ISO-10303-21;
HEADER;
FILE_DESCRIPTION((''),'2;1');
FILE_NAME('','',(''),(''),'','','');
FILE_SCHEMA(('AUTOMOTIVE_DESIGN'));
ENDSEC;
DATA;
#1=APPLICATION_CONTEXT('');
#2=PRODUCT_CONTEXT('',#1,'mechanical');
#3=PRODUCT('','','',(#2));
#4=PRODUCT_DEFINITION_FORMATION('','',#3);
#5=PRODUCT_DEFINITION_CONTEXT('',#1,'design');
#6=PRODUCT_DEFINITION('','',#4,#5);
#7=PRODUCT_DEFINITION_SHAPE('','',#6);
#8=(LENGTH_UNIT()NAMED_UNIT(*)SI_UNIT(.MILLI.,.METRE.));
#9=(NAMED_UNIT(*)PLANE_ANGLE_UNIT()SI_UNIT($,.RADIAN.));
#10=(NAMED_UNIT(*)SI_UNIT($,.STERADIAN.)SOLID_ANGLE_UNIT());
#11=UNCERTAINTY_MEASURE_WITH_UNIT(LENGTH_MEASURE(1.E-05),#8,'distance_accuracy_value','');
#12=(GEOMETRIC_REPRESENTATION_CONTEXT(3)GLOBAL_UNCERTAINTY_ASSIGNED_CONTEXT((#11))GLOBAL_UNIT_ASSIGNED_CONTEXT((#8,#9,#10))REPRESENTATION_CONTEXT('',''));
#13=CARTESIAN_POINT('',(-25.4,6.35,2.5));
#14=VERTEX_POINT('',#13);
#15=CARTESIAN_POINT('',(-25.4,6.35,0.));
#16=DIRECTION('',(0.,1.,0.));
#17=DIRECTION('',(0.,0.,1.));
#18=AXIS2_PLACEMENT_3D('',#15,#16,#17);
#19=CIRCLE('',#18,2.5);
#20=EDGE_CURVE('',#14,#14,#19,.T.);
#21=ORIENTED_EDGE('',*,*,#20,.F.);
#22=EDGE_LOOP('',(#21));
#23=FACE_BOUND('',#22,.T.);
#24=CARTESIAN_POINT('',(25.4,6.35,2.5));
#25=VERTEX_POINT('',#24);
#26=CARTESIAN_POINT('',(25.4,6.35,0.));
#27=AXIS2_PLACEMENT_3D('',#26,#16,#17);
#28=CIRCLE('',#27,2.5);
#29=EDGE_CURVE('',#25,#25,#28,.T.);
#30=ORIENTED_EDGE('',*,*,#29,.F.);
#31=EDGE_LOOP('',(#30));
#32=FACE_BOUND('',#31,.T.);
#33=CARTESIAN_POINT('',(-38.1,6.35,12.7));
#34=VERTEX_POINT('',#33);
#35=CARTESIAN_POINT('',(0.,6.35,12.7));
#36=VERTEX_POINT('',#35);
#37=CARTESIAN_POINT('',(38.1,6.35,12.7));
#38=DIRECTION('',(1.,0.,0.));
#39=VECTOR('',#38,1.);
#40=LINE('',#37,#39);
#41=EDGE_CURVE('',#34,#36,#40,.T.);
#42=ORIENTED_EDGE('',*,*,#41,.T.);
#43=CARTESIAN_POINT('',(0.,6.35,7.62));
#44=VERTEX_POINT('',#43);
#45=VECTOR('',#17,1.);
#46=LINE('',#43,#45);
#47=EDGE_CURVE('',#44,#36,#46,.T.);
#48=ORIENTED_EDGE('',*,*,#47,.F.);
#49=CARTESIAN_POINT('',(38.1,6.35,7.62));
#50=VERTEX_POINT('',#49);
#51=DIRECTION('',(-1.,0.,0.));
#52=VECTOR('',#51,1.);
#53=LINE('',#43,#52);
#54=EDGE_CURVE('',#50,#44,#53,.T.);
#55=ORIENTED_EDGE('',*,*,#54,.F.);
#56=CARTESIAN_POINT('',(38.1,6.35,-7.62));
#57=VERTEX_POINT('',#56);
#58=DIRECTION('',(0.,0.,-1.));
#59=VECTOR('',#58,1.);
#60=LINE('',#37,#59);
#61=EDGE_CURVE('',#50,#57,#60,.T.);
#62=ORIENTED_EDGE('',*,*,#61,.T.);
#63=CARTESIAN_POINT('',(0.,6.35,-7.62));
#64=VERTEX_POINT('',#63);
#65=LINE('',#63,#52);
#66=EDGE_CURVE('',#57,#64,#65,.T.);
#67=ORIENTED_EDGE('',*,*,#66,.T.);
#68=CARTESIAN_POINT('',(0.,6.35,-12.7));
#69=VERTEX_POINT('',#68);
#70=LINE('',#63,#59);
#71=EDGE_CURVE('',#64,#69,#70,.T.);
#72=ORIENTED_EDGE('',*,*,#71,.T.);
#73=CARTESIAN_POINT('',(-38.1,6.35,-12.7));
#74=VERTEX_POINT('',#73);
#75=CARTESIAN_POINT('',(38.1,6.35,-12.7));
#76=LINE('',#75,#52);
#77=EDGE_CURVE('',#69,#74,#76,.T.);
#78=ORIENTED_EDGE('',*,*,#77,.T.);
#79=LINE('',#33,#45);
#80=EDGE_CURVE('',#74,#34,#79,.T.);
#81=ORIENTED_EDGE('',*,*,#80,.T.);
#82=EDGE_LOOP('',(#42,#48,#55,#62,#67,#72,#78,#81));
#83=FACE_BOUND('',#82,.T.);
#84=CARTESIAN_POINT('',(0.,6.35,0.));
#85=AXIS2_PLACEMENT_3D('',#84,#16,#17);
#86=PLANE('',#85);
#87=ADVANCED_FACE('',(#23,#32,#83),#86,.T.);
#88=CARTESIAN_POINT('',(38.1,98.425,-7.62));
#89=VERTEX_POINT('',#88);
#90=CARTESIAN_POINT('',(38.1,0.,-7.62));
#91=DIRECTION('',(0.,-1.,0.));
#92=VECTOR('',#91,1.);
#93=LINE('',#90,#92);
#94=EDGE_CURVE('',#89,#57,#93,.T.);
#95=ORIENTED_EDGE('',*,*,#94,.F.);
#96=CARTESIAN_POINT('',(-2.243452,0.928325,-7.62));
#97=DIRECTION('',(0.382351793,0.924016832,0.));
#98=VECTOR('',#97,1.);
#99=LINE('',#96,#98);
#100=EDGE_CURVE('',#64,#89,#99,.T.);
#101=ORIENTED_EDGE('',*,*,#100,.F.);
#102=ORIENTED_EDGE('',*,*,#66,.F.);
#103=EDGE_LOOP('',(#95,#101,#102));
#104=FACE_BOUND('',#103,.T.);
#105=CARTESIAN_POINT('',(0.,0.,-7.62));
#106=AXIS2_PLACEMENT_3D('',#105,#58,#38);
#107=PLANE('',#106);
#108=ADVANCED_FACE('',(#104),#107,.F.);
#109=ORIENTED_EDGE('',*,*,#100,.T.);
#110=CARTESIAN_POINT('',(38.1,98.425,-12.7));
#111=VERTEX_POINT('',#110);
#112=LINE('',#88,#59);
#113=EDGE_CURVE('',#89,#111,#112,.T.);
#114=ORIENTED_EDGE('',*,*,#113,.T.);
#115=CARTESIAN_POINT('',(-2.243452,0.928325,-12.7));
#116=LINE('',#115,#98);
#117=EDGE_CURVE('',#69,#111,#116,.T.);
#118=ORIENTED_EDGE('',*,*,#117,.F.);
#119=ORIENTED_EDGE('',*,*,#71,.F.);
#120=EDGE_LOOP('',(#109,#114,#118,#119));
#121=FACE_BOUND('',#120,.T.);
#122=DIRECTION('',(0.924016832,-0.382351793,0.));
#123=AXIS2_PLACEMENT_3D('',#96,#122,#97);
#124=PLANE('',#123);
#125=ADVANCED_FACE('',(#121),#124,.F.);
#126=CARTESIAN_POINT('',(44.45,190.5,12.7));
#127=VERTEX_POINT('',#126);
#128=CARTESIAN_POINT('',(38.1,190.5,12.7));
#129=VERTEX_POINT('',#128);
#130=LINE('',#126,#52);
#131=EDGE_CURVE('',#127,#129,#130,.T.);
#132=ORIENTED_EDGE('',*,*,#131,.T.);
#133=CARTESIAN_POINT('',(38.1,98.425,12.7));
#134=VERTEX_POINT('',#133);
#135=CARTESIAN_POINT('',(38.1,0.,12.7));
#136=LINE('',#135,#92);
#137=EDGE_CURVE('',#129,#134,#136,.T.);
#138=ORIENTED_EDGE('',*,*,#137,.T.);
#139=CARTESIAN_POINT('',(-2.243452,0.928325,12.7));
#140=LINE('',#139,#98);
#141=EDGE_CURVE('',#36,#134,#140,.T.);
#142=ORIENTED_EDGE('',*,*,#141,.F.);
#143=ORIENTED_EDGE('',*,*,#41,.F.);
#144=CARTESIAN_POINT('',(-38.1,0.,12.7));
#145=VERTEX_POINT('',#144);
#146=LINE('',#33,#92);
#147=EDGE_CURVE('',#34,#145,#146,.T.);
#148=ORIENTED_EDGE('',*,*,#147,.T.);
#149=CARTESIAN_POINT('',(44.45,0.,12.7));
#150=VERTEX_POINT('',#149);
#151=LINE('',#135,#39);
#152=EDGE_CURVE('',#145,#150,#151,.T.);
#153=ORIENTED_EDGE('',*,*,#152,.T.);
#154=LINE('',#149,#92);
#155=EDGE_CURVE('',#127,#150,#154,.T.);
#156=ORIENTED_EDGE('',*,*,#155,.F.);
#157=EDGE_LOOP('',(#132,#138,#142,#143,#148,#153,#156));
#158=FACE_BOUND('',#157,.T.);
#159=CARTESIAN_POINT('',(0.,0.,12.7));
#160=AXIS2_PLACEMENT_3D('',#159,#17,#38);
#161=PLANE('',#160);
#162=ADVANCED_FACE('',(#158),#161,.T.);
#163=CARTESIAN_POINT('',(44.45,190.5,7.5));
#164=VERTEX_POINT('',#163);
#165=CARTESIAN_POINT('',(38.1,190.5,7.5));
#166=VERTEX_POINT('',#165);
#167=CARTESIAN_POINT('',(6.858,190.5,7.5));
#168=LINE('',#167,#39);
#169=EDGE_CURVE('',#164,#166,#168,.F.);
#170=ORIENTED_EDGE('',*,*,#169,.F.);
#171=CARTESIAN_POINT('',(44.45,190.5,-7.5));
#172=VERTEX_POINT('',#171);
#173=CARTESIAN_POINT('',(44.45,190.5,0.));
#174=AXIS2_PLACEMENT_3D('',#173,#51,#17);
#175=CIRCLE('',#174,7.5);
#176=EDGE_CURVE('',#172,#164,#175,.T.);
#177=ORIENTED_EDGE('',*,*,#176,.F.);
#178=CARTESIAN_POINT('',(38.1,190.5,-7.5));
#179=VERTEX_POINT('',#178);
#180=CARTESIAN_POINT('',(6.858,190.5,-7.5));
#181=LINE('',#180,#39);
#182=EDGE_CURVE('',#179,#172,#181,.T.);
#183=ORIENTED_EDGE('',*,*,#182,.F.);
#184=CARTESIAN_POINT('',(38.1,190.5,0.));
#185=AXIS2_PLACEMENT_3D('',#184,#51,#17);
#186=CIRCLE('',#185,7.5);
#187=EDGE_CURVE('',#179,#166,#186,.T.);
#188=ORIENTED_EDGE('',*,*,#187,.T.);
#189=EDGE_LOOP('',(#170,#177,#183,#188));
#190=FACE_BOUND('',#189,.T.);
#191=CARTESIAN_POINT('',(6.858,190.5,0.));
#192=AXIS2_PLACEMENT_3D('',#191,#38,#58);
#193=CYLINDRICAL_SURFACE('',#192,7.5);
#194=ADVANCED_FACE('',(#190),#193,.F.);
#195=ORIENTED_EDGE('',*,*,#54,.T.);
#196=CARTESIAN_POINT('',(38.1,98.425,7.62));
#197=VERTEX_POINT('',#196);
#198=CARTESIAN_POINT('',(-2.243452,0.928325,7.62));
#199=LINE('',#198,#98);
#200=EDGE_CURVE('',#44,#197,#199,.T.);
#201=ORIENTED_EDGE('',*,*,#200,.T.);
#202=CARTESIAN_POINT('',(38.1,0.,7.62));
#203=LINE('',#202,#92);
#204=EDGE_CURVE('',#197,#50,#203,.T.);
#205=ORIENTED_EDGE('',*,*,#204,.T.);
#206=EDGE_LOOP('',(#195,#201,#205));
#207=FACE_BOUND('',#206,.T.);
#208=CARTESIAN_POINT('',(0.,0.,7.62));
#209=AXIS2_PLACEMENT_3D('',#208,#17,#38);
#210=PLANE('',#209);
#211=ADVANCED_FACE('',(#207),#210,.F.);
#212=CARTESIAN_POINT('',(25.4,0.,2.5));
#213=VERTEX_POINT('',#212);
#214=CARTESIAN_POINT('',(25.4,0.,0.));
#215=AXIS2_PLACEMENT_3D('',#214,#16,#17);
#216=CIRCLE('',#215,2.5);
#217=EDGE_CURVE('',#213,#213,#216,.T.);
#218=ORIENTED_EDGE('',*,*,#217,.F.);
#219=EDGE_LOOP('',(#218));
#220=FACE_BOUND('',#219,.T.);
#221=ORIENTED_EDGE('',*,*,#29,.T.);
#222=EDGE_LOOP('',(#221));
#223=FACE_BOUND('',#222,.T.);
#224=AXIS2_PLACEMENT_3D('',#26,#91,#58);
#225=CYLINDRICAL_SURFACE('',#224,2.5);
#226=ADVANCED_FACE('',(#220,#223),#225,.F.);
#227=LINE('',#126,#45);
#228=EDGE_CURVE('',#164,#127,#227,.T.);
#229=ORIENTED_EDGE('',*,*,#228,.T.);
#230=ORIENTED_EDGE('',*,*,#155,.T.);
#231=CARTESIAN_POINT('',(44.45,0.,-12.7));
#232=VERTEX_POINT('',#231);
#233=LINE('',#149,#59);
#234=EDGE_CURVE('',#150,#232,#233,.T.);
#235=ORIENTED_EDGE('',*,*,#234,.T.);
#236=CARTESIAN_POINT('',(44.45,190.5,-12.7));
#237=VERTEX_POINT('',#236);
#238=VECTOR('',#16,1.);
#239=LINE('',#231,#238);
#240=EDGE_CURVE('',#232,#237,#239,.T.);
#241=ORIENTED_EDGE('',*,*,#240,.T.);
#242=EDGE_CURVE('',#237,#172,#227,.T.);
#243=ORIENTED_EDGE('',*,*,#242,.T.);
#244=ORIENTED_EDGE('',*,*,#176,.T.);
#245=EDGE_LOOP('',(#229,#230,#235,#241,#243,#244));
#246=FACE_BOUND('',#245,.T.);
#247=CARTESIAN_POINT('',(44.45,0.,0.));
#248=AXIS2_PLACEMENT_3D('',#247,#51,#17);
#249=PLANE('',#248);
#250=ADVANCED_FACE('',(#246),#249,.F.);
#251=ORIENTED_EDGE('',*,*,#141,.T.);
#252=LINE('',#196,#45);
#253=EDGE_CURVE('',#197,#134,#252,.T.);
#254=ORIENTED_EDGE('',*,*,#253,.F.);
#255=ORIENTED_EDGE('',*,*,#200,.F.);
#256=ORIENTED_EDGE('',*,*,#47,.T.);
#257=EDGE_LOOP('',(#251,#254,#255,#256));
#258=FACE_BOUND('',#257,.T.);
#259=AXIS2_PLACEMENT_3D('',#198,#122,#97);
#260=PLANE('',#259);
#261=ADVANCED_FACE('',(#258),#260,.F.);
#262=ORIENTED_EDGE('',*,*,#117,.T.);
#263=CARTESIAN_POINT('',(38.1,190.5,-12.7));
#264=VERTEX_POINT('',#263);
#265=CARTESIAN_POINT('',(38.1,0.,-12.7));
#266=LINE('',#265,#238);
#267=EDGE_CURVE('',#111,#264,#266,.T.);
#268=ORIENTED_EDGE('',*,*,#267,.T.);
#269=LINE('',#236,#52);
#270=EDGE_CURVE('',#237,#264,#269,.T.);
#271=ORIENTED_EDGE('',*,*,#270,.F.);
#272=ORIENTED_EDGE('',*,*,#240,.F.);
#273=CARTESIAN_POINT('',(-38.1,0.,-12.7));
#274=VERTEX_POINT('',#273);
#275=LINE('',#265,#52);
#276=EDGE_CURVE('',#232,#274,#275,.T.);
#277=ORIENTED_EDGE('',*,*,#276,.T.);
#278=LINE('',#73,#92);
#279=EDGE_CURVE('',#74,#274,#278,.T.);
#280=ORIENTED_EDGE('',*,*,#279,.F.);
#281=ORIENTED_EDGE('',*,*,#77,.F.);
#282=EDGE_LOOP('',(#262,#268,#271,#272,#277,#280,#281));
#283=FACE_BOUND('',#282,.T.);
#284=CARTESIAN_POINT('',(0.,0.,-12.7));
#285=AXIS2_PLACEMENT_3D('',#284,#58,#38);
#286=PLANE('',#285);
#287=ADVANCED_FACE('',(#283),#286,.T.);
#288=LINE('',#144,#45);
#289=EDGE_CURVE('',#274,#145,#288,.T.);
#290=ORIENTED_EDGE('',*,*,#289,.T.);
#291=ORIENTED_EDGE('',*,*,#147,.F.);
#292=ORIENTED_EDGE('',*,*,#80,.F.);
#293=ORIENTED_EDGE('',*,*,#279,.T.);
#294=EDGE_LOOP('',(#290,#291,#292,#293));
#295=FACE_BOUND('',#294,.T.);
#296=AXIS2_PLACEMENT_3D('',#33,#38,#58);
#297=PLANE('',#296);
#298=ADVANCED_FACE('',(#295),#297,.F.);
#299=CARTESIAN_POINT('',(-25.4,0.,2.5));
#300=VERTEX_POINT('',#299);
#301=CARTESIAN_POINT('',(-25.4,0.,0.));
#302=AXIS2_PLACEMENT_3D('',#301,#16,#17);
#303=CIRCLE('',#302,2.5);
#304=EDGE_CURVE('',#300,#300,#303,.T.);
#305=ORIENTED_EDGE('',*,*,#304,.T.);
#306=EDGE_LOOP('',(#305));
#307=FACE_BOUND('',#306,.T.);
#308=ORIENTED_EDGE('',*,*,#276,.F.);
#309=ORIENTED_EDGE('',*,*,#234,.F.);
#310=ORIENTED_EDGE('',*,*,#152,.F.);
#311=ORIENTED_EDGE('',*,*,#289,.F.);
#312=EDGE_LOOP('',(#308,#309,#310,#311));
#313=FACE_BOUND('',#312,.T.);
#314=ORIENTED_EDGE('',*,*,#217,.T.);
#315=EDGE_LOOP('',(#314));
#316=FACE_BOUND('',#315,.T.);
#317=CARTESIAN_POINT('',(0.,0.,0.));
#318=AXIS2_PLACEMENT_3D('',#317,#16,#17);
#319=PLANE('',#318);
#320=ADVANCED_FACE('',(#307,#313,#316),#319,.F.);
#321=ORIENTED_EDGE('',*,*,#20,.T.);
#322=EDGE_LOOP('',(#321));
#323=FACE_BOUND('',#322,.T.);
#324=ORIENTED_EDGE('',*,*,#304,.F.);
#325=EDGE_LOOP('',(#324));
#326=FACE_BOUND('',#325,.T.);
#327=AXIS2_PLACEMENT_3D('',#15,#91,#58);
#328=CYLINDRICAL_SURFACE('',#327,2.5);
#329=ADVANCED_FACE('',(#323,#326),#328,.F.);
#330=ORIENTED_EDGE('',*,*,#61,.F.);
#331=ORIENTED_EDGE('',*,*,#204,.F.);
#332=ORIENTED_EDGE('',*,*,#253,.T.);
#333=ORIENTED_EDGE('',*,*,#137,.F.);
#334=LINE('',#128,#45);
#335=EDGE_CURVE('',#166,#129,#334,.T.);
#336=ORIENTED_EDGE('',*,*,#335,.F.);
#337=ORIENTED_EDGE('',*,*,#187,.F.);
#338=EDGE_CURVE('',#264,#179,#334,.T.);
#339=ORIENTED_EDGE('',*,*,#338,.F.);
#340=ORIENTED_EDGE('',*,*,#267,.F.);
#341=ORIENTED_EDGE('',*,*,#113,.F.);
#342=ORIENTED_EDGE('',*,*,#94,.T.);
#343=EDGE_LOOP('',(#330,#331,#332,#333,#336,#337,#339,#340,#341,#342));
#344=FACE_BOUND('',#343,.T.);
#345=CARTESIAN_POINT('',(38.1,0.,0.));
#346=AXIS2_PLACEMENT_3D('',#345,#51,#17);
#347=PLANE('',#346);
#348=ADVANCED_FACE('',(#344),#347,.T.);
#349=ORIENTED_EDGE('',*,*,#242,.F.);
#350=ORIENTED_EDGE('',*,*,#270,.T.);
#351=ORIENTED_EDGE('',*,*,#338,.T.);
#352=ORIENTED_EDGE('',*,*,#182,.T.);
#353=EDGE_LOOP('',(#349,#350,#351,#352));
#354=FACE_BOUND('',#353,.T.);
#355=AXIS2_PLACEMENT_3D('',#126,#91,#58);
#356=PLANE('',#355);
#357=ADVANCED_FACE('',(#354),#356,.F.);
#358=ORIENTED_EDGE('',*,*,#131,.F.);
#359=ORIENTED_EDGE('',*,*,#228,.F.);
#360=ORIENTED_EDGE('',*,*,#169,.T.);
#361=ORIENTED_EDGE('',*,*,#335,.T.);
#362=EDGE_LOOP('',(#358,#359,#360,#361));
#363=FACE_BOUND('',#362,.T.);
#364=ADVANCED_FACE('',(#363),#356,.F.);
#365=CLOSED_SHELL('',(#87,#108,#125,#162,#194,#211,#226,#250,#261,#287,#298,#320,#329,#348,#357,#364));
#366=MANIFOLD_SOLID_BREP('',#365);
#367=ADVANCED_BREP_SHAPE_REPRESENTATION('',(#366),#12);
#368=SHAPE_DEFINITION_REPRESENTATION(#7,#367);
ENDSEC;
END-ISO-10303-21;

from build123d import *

# Parameters (mm, degrees)
SKETCH2_W           = 76.2
SKETCH2_H           = 25.4
SKETCH2_R           = 2.5
BOSS_EXTRUDE1_DEPTH = 6.35
SKETCH3_W           = 25.4
SKETCH3_H           = 190.5
BOSS_EXTRUDE2_DEPTH = 6.35
BOSS_EXTRUDE3_DEPTH = 5.08
SKETCH5_R           = 7.5
CUT_EXTRUDE1_DEPTH  = 37.592


with BuildPart() as part:
    # Sketch2 → Boss-Extrude1 (new body)
    with BuildSketch(Plane(origin=(0, 0, 0), x_dir=(1, 0, 0), z_dir=(0, 1, 0))):
        Rectangle(SKETCH2_W, SKETCH2_H)
        with Locations((-25.4, 0)):
            Circle(SKETCH2_R, mode=Mode.SUBTRACT)
        with Locations((25.4, 0)):
            Circle(SKETCH2_R, mode=Mode.SUBTRACT)
    extrude(amount=BOSS_EXTRUDE1_DEPTH)

    # Sketch3 → Boss-Extrude2 (add)
    with BuildSketch(Plane(origin=(38.1, 0, 0), x_dir=(0, 0, -1), z_dir=(1, 0, 0))):
        with Locations((0, 95.25)):
            Rectangle(SKETCH3_W, SKETCH3_H)
    extrude(amount=BOSS_EXTRUDE2_DEPTH)


with BuildPart() as body_2:
    # Sketch4 → Boss-Extrude3 (new body)
    with BuildSketch(Plane.XY.offset(12.7)):
        Polygon((22.9, 6.35), (27.9, 6.35), (38.1, 6.35), (38.1, 98.425), (0, 6.35), align=None)
    extrude(amount=-BOSS_EXTRUDE3_DEPTH)


with BuildPart() as body_3:
    # Mirror2: mirrored copy
    add(body_2.part.mirror(Plane.XY))


with BuildPart() as body_2_1:
    add(body_2.part)

    # Combine1: union body 3, part
    add(body_3.part)
    add(part.part)

    # Sketch5 → Cut-Extrude1 (cut)
    with BuildSketch(Plane(origin=(44.45, 0, 0), x_dir=(0, 0, -1), z_dir=(1, 0, 0))):
        with Locations((0, 190.5)):
            Circle(SKETCH5_R)
    extrude(amount=-CUT_EXTRUDE1_DEPTH, mode=Mode.SUBTRACT)


solid = body_2_1.part
